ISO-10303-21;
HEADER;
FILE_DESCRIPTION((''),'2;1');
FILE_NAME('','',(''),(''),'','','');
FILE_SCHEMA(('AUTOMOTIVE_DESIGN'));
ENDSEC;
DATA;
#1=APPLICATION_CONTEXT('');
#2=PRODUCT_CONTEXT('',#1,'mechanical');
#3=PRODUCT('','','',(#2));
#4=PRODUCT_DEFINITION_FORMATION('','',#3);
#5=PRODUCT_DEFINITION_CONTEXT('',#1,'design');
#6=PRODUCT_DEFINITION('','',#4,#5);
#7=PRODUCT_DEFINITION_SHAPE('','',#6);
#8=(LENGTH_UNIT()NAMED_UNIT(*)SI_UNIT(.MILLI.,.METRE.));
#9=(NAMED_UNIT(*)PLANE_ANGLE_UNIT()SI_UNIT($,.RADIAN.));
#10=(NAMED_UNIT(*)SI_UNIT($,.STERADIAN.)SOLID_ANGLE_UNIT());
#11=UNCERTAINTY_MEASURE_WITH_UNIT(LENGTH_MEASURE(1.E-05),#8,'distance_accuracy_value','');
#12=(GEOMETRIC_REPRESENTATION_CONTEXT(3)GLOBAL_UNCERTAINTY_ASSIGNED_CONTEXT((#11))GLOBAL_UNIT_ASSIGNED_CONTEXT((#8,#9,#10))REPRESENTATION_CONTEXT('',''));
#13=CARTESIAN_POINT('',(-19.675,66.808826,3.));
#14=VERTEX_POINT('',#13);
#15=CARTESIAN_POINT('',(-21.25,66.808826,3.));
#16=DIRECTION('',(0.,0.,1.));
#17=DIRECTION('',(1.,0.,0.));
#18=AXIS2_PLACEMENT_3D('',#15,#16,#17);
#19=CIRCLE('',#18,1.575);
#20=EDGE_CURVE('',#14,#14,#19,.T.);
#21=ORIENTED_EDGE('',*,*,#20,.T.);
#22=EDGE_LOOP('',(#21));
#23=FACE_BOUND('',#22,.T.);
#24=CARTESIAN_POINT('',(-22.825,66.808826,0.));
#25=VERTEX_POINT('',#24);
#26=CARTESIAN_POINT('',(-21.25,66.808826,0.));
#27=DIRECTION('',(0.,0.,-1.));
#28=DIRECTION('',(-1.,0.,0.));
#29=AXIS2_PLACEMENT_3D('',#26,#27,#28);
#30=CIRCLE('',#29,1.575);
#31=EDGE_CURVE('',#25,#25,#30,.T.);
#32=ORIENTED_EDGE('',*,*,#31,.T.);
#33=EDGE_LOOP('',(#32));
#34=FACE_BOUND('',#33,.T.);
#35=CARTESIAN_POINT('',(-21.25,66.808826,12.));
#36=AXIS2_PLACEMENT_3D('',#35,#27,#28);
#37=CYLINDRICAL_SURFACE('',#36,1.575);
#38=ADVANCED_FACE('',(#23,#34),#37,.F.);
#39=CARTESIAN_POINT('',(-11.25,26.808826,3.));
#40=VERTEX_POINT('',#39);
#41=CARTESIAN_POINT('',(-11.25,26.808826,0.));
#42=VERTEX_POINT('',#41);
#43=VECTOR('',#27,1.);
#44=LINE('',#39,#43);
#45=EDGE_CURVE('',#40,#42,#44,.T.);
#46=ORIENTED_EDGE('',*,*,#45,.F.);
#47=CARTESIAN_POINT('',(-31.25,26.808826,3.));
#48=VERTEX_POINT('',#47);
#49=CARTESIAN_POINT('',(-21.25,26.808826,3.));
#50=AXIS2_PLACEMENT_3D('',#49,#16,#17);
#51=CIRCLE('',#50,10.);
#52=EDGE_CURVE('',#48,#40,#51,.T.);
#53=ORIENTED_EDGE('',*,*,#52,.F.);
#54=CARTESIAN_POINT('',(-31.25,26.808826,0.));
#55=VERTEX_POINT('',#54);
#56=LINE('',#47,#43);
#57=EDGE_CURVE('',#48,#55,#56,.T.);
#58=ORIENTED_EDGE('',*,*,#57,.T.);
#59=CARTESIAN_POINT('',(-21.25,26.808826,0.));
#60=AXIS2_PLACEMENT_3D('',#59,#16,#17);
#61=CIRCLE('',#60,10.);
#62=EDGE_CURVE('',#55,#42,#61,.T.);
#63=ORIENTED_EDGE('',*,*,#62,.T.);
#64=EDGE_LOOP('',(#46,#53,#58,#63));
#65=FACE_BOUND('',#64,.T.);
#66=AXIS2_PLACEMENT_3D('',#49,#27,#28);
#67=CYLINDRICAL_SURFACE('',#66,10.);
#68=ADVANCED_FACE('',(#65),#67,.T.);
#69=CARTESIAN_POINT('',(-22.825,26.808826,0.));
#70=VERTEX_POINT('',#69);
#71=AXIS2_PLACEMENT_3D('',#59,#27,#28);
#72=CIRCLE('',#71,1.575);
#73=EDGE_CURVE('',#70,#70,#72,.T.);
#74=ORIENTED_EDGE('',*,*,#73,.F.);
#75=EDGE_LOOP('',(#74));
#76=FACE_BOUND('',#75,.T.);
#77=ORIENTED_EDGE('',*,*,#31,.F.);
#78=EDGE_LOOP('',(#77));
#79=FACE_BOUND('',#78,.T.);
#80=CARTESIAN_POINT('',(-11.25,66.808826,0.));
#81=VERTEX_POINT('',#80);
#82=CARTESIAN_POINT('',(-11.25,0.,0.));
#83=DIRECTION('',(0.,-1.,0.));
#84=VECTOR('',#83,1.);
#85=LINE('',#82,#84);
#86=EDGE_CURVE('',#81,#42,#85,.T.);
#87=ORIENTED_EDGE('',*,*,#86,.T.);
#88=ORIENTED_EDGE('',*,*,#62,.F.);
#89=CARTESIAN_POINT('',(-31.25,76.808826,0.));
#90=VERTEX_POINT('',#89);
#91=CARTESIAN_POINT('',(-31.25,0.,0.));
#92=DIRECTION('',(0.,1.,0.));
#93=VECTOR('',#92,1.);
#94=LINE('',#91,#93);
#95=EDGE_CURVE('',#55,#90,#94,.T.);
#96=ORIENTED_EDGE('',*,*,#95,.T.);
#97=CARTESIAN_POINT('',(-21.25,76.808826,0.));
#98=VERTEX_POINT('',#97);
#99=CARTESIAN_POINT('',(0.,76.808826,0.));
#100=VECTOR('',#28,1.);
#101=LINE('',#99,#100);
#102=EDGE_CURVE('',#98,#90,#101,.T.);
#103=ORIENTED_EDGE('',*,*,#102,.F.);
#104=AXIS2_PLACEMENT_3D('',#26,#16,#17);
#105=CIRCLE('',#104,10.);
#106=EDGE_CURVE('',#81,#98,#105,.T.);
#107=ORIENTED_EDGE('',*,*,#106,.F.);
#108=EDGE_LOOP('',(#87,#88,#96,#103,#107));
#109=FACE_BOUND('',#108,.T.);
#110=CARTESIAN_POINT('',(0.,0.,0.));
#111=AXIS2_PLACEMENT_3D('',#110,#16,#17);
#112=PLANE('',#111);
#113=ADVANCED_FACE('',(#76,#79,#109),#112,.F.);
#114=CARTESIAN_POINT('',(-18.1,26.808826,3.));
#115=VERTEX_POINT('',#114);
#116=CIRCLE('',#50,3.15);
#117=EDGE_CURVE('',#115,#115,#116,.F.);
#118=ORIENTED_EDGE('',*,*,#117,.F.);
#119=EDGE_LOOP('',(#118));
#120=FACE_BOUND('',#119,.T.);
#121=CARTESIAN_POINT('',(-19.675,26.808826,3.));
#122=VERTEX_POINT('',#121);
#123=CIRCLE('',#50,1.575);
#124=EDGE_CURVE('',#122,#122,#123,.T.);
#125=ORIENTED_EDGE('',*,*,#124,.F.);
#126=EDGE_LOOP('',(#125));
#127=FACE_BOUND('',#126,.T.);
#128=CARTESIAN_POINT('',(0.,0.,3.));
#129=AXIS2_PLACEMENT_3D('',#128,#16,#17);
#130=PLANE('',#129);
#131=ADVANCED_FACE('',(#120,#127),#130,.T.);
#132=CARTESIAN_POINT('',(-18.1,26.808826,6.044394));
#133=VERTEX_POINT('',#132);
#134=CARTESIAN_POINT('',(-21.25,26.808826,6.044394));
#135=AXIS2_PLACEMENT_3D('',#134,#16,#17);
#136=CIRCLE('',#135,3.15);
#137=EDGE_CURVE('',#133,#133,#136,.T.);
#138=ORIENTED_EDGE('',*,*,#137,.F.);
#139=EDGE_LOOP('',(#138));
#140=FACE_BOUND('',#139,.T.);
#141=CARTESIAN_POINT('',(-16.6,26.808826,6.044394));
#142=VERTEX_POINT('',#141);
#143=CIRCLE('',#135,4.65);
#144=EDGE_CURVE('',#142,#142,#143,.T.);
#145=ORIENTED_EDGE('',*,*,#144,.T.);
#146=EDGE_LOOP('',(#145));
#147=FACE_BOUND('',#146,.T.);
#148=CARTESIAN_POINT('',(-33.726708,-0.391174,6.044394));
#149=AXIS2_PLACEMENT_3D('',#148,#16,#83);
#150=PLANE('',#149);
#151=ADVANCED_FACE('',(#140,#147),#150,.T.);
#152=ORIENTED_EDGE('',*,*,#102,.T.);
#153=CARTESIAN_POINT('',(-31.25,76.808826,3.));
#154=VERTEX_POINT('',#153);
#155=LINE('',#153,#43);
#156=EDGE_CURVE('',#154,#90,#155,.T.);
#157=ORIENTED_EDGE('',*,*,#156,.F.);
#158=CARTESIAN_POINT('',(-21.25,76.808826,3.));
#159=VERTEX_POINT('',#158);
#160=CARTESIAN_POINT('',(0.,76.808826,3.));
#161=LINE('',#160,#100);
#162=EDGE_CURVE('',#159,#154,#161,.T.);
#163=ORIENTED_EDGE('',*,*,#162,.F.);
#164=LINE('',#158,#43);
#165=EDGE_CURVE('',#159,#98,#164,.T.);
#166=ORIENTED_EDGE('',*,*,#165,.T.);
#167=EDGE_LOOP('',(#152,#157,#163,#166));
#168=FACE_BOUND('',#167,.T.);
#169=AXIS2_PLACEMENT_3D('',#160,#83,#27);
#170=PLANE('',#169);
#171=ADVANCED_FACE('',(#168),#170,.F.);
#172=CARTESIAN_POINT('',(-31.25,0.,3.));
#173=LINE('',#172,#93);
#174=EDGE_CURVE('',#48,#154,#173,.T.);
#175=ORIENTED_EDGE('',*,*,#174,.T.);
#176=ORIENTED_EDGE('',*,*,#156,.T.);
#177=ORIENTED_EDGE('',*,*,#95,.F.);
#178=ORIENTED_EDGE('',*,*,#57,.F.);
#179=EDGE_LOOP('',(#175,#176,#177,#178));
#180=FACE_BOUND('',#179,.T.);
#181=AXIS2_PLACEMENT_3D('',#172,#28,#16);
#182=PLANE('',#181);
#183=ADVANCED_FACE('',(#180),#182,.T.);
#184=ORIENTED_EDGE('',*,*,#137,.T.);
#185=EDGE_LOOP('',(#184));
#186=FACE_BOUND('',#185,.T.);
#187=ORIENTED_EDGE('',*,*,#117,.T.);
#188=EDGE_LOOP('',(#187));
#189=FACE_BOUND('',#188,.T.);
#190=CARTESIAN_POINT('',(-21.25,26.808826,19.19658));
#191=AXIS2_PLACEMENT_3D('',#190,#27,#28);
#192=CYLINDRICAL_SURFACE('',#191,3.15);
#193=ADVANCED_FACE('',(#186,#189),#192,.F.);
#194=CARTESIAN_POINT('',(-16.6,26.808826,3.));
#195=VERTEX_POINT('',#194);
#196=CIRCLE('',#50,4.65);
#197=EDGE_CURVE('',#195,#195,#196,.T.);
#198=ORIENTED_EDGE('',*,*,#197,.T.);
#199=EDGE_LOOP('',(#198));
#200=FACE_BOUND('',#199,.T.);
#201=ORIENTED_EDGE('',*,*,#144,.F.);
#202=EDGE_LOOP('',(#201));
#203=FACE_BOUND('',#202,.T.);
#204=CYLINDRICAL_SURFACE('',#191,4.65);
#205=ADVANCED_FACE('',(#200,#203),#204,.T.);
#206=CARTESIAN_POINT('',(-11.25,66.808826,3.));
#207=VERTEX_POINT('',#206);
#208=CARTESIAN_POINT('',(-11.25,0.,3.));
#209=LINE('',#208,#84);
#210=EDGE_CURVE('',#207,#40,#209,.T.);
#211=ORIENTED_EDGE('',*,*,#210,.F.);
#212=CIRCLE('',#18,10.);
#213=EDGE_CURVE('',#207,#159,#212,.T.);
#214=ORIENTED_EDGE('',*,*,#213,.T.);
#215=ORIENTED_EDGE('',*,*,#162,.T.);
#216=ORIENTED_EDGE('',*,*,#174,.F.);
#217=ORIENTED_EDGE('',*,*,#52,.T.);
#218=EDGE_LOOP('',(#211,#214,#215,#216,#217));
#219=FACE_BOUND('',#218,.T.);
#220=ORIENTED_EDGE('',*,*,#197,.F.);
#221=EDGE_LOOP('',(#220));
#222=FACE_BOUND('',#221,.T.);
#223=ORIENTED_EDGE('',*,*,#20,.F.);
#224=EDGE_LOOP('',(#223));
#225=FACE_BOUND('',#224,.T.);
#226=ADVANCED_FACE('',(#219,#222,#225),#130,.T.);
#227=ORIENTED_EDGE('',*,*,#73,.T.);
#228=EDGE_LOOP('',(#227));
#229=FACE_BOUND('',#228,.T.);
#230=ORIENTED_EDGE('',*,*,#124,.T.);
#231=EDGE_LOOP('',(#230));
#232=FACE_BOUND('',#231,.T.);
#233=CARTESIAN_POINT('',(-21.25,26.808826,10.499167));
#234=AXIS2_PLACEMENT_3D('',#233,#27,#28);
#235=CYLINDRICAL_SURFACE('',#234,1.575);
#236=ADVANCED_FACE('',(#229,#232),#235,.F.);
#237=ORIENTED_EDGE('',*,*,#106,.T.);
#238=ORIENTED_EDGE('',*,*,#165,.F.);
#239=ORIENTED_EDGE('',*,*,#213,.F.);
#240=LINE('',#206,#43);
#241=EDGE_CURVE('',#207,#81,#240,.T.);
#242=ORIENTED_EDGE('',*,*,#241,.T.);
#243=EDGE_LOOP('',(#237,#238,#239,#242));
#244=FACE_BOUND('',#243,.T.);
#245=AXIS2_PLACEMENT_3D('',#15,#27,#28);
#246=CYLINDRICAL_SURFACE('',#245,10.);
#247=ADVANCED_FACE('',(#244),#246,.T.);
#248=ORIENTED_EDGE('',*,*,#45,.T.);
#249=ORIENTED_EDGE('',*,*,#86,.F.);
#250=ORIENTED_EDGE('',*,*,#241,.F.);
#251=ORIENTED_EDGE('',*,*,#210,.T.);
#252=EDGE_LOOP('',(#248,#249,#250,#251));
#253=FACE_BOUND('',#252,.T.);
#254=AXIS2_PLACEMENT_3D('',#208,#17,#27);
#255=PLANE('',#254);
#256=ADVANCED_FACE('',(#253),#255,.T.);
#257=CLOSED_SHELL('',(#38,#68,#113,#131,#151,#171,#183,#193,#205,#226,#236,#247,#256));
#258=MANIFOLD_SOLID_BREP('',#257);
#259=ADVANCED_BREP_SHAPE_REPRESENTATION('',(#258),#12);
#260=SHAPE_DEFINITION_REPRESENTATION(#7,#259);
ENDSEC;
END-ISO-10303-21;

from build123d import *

# Parameters (mm, degrees)
BOSS_EXTRUDE1_DEPTH = 3
SKETCH2_R           = 4.65
SKETCH2_R_2         = 3.15
BOSS_EXTRUDE2_DEPTH = 3.044394089
SKETCH3_R           = 1.575
CUT_EXTRUDE1_DEPTH  = 6.044394089
SKETCH4_R           = 1.575
CUT_EXTRUDE2_DEPTH  = 12


with BuildPart() as part:
    # Sketch1 → Boss-Extrude1 (new body)
    with BuildSketch(Plane.XY):
        with BuildLine():
            Line((-31.25, 76.808826039), (-31.25, 26.808826039))
            ThreePointArc((-31.25, 26.808826039), (-21.25, 16.808826039), (-11.25, 26.808826039))
            Line((-11.25, 26.808826039), (-11.25, 66.808826039))
            ThreePointArc((-11.25, 66.808826039), (-14.178932188, 73.879893851), (-21.25, 76.808826039))
            Line((-21.25, 76.808826039), (-31.25, 76.808826039))
        make_face()
    extrude(amount=BOSS_EXTRUDE1_DEPTH)

    # Sketch2 → Boss-Extrude2 (add)
    with BuildSketch(Plane.XY.offset(3)):
        with Locations((-21.25, 26.808826039)):
            Circle(SKETCH2_R)
        with Locations((-21.25, 26.808826039)):
            Circle(SKETCH2_R_2, mode=Mode.SUBTRACT)
    extrude(amount=BOSS_EXTRUDE2_DEPTH)

    # Sketch3 → Cut-Extrude1 (cut)
    with BuildSketch(Plane(origin=(0, 0, 0), x_dir=(-1, 0, 0), z_dir=(0, 0, -1))):
        with Locations((21.25, 26.808826039)):
            Circle(SKETCH3_R)
    extrude(amount=-CUT_EXTRUDE1_DEPTH, mode=Mode.SUBTRACT)

    # Sketch4 → Cut-Extrude2 (cut)
    with BuildSketch(Plane(origin=(0, 0, 0), x_dir=(-1, 0, 0), z_dir=(0, 0, -1))):
        with Locations((21.25, 66.808826039)):
            Circle(SKETCH4_R)
    extrude(amount=-CUT_EXTRUDE2_DEPTH, mode=Mode.SUBTRACT)


solid = part.part
